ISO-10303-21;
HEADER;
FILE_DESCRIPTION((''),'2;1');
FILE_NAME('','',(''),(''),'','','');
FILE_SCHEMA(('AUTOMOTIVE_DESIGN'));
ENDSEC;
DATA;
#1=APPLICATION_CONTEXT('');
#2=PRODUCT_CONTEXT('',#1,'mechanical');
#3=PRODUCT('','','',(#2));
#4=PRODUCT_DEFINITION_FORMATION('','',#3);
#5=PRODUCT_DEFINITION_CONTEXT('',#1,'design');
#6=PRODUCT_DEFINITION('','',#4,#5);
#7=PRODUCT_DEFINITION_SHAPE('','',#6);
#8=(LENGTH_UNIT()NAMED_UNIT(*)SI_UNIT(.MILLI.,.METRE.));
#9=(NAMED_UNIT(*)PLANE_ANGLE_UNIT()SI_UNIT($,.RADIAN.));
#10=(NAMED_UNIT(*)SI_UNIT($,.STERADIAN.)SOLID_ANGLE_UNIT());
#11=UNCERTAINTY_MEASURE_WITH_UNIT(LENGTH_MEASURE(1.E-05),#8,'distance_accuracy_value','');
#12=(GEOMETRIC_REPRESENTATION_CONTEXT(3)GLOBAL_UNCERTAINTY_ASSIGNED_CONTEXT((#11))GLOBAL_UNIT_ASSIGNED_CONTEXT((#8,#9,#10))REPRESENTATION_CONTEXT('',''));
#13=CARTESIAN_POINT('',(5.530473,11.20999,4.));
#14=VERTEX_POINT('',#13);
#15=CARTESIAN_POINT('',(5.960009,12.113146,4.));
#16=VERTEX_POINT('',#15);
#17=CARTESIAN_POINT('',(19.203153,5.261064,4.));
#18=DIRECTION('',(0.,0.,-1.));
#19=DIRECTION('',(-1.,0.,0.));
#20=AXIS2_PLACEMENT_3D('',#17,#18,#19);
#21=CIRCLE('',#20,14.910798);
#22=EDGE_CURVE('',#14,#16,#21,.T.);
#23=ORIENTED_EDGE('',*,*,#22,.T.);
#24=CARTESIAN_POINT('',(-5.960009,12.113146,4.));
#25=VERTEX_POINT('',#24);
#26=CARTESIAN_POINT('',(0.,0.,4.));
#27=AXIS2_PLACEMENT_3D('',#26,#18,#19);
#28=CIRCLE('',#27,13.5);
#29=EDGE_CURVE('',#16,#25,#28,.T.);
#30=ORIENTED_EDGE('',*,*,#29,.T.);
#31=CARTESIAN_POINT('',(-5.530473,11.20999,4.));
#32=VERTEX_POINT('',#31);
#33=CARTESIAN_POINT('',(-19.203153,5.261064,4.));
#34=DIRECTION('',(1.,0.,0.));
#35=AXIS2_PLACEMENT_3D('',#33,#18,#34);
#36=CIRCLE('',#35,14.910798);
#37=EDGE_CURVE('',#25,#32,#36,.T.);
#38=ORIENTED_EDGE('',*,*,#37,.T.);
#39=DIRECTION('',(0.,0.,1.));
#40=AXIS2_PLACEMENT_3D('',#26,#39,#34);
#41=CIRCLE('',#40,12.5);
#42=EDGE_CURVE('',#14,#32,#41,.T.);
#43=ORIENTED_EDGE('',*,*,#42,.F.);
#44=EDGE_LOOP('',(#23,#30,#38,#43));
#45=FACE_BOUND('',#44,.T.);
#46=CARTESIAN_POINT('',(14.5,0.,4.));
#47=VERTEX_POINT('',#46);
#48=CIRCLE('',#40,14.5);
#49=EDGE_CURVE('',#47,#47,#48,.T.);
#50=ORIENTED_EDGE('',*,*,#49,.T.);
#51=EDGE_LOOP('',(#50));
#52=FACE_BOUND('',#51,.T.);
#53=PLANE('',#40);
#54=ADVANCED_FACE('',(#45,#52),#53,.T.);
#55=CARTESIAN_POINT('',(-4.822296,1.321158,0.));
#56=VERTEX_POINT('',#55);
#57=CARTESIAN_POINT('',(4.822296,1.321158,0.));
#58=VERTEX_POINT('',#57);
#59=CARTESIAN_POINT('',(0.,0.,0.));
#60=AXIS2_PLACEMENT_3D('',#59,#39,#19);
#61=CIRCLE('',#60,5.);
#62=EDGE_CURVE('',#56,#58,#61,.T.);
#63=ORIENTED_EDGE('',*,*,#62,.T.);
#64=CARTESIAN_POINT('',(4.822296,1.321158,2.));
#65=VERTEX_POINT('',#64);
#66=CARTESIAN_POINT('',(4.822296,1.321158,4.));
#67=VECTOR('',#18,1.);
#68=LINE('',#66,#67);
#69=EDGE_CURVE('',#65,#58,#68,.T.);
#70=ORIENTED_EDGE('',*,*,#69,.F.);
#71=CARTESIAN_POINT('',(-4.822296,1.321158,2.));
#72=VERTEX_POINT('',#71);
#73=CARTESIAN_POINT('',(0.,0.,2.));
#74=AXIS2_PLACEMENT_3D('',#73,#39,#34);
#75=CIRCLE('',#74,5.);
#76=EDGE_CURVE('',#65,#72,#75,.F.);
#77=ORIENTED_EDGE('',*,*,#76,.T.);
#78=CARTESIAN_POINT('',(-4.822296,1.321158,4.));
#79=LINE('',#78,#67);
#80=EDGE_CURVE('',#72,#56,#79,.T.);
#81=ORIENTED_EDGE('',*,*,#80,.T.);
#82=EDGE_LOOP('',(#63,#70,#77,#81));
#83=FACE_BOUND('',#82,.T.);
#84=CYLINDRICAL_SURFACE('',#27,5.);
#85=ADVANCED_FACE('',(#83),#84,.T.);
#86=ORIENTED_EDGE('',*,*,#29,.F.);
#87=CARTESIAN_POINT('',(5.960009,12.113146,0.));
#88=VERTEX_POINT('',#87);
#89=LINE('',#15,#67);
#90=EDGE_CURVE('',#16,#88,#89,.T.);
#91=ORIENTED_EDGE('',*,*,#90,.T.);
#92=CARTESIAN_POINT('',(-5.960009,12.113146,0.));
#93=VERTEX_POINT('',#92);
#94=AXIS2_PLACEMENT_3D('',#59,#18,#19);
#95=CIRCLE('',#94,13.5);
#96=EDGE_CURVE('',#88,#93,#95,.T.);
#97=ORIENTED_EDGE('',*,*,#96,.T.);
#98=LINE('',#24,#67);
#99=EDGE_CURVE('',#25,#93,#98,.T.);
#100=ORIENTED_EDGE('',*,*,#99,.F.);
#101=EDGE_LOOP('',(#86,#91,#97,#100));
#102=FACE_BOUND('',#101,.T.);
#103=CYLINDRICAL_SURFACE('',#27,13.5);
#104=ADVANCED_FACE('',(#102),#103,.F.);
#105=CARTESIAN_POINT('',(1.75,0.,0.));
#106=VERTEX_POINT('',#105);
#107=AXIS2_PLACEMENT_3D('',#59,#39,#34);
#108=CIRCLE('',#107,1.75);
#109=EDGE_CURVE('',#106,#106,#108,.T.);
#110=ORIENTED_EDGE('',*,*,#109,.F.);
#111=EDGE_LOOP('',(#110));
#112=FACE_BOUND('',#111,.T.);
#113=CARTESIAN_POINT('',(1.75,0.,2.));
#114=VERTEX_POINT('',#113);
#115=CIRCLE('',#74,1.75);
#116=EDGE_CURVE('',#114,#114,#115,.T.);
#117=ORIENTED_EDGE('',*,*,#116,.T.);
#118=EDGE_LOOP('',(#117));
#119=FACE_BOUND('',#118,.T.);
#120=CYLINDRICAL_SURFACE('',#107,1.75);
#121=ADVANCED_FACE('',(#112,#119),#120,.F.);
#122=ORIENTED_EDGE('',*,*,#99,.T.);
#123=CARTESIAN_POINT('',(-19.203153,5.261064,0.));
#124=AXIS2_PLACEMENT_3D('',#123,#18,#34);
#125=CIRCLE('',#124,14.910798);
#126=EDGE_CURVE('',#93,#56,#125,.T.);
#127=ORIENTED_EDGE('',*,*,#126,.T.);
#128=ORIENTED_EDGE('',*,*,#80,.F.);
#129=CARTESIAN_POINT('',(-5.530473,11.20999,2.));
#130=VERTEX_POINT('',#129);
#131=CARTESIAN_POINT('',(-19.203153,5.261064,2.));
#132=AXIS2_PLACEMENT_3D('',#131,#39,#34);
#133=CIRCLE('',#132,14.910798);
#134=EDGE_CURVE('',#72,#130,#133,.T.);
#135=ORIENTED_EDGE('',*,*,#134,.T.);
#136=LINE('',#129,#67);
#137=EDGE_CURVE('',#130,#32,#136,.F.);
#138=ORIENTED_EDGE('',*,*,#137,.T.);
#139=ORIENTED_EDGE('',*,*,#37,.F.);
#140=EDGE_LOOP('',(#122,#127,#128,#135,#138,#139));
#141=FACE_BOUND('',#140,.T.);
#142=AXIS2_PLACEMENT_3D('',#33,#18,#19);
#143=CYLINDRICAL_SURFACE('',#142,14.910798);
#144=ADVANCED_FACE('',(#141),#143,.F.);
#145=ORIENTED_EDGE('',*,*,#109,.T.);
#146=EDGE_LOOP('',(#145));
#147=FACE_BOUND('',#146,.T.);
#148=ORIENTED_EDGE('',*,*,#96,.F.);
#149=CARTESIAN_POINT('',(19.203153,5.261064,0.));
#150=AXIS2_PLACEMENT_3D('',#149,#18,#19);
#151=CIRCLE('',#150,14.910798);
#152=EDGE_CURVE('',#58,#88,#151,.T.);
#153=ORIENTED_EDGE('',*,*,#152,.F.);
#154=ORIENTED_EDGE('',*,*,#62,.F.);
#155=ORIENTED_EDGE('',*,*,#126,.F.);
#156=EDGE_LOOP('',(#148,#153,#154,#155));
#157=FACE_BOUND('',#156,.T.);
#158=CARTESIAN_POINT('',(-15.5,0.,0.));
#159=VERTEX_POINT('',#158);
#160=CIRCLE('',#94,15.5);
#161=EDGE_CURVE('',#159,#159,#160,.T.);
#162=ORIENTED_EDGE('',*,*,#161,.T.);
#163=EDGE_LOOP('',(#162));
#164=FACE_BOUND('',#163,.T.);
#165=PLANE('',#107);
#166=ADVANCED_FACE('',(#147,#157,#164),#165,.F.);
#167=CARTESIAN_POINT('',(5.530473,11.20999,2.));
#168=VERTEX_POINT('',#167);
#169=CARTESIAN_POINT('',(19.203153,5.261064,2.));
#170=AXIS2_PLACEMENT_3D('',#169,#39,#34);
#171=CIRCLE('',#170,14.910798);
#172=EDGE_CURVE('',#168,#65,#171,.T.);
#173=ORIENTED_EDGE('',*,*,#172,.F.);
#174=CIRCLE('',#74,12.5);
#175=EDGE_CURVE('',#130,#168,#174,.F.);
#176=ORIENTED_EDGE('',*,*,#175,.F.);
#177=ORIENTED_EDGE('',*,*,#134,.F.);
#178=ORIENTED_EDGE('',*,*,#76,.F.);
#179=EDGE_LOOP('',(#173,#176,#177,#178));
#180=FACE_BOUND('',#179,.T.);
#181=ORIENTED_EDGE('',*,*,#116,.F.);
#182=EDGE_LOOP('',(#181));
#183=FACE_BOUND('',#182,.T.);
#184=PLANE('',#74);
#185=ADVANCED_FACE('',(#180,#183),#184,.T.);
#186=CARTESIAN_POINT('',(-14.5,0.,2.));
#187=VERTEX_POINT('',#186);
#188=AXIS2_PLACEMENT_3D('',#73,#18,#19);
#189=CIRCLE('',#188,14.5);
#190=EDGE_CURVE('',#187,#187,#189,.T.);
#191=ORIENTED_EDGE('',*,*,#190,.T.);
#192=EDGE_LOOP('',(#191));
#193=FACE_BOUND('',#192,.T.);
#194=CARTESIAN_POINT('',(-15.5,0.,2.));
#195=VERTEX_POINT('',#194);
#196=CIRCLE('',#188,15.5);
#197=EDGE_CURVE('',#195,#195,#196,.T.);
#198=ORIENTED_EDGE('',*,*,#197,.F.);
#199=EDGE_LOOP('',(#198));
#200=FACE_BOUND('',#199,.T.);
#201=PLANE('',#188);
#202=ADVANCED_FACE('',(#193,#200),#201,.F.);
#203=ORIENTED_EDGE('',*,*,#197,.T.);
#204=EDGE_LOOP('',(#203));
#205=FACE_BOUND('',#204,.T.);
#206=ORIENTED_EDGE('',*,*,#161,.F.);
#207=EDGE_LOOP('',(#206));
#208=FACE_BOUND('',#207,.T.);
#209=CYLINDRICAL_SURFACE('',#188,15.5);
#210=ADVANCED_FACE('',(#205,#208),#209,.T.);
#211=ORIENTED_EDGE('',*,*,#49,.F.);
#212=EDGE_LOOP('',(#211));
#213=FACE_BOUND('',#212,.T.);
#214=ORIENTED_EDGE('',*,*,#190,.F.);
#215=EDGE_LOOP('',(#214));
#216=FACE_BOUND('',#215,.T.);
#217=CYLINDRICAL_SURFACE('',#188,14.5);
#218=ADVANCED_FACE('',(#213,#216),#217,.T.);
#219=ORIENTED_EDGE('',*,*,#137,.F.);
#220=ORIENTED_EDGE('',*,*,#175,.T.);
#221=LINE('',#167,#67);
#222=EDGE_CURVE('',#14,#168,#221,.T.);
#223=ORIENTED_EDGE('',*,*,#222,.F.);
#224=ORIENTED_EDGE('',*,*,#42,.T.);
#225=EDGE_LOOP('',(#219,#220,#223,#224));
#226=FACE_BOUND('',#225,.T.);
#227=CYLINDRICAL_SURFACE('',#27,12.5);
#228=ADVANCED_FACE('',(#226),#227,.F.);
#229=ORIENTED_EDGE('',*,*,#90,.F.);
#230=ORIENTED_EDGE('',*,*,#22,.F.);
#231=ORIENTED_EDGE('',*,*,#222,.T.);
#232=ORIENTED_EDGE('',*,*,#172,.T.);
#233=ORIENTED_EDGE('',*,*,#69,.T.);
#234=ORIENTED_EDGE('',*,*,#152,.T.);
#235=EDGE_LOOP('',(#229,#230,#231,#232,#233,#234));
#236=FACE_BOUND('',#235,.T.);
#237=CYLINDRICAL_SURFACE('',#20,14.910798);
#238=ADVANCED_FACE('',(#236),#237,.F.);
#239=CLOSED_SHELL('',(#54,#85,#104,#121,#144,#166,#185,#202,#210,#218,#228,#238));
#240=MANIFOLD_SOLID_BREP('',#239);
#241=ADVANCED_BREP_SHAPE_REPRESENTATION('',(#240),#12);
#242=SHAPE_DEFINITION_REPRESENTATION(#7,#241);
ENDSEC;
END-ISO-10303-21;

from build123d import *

# Parameters (mm, degrees)
SKETCH1_R           = 14.5
BOSS_EXTRUDE1_DEPTH = 2
SKETCH2_R           = 14.5
SKETCH2_R_2         = 12.5
BOSS_EXTRUDE2_DEPTH = 2
SKETCH3_R           = 1.75
CUT_EXTRUDE1_DEPTH  = 2
SKETCH4_R           = 15.5
SKETCH4_R_2         = 14.5
BOSS_EXTRUDE3_DEPTH = 2
CUT_EXTRUDE2_DEPTH  = 23.282279955


with BuildPart() as part:
    # Sketch1 → Boss-Extrude1 (new body)
    with BuildSketch(Plane.XY):
        Circle(SKETCH1_R)
    extrude(amount=BOSS_EXTRUDE1_DEPTH)

    # Sketch2 → Boss-Extrude2 (add)
    with BuildSketch(Plane.XY.offset(2)):
        Circle(SKETCH2_R)
        Circle(SKETCH2_R_2, mode=Mode.SUBTRACT)
    extrude(amount=BOSS_EXTRUDE2_DEPTH)

    # Sketch3 → Cut-Extrude1 (cut)
    with BuildSketch(Plane.XY.offset(2)):
        Circle(SKETCH3_R)
    extrude(amount=-CUT_EXTRUDE1_DEPTH, mode=Mode.SUBTRACT)

    # Sketch4 → Boss-Extrude3 (add)
    with BuildSketch(Plane(origin=(0, 0, 0), x_dir=(-1, 0, 0), z_dir=(0, 0, -1))):
        Circle(SKETCH4_R)
        Circle(SKETCH4_R_2, mode=Mode.SUBTRACT)
    extrude(amount=-BOSS_EXTRUDE3_DEPTH)

    # Sketch5 → Cut-Extrude2 (cut, through all)
    with BuildSketch(Plane(origin=(0, 0, 0), x_dir=(-1, 0, 0), z_dir=(0, 0, -1))):
        with BuildLine():
            ThreePointArc((-4.822296171, 1.321158447), (0, -5), (4.822296171, 1.321158447))
            ThreePointArc((4.822296171, 1.321158447), (4.3745284, 6.824326541), (5.960008585, 12.113145655))
            ThreePointArc((5.960008585, 12.113145655), (0, -13.5), (-5.960008585, 12.113145655))
            ThreePointArc((-5.960008585, 12.113145655), (-4.3745284, 6.824326541), (-4.822296171, 1.321158447))
        make_face()
    extrude(amount=-CUT_EXTRUDE2_DEPTH, mode=Mode.SUBTRACT)


solid = part.part
